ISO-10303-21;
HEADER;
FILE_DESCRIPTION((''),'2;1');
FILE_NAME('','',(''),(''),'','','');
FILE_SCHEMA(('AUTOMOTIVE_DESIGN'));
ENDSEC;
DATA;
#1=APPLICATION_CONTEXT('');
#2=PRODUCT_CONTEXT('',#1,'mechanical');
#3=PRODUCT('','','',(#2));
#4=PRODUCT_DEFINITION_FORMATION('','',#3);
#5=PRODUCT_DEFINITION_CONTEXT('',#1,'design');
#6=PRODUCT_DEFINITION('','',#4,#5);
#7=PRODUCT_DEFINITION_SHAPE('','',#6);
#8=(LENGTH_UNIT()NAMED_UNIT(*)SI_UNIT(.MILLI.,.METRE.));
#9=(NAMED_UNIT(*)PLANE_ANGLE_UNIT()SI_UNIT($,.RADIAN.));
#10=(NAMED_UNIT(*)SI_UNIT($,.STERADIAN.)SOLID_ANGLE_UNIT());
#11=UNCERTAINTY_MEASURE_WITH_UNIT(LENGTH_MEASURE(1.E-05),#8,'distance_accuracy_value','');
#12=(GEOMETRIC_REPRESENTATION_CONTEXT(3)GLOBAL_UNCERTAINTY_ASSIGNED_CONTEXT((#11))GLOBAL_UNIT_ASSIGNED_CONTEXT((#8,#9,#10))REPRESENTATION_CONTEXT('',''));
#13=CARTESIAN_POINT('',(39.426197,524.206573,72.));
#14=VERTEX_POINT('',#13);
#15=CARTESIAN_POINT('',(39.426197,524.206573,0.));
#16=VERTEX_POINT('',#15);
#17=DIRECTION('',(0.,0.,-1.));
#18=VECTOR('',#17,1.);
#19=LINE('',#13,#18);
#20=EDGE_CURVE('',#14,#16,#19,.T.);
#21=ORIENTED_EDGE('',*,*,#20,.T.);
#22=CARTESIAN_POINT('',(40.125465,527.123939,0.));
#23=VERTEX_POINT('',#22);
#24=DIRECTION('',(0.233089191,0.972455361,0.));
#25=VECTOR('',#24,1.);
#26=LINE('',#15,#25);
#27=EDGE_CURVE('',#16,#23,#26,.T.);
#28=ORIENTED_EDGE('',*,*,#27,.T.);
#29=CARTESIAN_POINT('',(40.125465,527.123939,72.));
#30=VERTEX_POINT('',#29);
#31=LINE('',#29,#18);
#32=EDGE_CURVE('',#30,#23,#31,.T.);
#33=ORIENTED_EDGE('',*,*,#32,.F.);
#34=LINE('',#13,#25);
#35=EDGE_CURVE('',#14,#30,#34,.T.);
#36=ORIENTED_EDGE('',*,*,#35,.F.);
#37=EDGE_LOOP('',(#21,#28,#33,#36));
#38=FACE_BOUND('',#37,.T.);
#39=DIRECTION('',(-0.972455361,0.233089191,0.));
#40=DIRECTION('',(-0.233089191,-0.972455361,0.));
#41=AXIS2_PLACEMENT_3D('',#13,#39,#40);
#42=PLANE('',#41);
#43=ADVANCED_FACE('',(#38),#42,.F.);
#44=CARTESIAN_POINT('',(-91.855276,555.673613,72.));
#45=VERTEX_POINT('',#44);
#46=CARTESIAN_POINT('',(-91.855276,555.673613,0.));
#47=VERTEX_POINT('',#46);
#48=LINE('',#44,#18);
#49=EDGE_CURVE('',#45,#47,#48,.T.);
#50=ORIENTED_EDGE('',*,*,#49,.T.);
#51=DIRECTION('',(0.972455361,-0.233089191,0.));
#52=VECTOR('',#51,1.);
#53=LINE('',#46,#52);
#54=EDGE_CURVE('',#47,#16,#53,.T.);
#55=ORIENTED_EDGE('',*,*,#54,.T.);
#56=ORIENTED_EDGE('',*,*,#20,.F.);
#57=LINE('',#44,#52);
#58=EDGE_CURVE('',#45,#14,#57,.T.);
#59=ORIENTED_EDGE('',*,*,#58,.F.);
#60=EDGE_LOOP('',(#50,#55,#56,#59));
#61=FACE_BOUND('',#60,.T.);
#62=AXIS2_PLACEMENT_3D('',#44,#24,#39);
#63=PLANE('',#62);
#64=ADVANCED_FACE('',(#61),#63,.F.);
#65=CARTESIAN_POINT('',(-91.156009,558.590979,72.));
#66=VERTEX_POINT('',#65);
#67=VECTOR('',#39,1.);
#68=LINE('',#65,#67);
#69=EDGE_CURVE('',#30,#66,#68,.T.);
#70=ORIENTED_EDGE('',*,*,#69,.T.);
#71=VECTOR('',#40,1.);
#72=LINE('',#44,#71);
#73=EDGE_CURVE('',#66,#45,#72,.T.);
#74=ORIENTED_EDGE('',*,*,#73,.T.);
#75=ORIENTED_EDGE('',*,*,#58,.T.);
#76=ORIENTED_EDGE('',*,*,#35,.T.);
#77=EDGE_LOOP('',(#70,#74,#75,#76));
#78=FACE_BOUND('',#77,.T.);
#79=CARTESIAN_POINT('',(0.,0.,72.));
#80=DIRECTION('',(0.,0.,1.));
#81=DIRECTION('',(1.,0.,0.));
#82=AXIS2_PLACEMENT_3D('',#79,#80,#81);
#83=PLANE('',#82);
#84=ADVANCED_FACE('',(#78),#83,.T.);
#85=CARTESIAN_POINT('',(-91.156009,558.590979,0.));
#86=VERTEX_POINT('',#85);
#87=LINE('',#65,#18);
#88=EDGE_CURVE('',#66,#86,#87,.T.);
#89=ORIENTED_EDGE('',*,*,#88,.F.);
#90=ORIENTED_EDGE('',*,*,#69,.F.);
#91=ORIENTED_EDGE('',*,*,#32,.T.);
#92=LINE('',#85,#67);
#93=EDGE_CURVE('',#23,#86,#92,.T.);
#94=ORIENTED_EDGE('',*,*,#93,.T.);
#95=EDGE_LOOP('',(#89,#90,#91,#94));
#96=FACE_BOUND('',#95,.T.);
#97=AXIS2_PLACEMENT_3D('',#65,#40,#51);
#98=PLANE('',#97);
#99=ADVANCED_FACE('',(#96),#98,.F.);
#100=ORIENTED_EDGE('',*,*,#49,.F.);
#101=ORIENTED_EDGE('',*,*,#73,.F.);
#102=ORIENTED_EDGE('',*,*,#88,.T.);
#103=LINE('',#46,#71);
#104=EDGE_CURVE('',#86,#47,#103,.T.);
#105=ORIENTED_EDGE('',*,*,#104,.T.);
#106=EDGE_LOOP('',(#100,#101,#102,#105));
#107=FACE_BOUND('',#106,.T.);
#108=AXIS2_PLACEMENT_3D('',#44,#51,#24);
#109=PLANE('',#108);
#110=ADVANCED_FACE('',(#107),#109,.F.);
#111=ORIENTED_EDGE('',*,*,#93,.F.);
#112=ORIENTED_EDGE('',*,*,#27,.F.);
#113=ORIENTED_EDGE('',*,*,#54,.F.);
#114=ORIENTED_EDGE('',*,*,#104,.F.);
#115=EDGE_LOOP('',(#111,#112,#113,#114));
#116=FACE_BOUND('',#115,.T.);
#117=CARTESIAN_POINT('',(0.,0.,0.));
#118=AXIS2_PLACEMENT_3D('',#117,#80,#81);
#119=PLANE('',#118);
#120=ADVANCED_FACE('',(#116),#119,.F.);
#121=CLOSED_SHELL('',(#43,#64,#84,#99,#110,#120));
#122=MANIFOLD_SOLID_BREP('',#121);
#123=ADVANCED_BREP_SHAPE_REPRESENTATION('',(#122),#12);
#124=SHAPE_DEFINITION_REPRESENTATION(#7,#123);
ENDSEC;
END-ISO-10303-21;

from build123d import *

# Parameters (mm, degrees)
BOSS_EXTRUDE1_DEPTH = 72


with BuildPart() as part:
    # Sketch2 → Boss-Extrude1 (new body)
    with BuildSketch(Plane.XY):
        Polygon((-91.855276303, 555.673613359), (-91.156008729, 558.590979441), (40.125464985, 527.123938597), (39.426197411, 524.206572514), align=None)
    extrude(amount=BOSS_EXTRUDE1_DEPTH)


solid = part.part
